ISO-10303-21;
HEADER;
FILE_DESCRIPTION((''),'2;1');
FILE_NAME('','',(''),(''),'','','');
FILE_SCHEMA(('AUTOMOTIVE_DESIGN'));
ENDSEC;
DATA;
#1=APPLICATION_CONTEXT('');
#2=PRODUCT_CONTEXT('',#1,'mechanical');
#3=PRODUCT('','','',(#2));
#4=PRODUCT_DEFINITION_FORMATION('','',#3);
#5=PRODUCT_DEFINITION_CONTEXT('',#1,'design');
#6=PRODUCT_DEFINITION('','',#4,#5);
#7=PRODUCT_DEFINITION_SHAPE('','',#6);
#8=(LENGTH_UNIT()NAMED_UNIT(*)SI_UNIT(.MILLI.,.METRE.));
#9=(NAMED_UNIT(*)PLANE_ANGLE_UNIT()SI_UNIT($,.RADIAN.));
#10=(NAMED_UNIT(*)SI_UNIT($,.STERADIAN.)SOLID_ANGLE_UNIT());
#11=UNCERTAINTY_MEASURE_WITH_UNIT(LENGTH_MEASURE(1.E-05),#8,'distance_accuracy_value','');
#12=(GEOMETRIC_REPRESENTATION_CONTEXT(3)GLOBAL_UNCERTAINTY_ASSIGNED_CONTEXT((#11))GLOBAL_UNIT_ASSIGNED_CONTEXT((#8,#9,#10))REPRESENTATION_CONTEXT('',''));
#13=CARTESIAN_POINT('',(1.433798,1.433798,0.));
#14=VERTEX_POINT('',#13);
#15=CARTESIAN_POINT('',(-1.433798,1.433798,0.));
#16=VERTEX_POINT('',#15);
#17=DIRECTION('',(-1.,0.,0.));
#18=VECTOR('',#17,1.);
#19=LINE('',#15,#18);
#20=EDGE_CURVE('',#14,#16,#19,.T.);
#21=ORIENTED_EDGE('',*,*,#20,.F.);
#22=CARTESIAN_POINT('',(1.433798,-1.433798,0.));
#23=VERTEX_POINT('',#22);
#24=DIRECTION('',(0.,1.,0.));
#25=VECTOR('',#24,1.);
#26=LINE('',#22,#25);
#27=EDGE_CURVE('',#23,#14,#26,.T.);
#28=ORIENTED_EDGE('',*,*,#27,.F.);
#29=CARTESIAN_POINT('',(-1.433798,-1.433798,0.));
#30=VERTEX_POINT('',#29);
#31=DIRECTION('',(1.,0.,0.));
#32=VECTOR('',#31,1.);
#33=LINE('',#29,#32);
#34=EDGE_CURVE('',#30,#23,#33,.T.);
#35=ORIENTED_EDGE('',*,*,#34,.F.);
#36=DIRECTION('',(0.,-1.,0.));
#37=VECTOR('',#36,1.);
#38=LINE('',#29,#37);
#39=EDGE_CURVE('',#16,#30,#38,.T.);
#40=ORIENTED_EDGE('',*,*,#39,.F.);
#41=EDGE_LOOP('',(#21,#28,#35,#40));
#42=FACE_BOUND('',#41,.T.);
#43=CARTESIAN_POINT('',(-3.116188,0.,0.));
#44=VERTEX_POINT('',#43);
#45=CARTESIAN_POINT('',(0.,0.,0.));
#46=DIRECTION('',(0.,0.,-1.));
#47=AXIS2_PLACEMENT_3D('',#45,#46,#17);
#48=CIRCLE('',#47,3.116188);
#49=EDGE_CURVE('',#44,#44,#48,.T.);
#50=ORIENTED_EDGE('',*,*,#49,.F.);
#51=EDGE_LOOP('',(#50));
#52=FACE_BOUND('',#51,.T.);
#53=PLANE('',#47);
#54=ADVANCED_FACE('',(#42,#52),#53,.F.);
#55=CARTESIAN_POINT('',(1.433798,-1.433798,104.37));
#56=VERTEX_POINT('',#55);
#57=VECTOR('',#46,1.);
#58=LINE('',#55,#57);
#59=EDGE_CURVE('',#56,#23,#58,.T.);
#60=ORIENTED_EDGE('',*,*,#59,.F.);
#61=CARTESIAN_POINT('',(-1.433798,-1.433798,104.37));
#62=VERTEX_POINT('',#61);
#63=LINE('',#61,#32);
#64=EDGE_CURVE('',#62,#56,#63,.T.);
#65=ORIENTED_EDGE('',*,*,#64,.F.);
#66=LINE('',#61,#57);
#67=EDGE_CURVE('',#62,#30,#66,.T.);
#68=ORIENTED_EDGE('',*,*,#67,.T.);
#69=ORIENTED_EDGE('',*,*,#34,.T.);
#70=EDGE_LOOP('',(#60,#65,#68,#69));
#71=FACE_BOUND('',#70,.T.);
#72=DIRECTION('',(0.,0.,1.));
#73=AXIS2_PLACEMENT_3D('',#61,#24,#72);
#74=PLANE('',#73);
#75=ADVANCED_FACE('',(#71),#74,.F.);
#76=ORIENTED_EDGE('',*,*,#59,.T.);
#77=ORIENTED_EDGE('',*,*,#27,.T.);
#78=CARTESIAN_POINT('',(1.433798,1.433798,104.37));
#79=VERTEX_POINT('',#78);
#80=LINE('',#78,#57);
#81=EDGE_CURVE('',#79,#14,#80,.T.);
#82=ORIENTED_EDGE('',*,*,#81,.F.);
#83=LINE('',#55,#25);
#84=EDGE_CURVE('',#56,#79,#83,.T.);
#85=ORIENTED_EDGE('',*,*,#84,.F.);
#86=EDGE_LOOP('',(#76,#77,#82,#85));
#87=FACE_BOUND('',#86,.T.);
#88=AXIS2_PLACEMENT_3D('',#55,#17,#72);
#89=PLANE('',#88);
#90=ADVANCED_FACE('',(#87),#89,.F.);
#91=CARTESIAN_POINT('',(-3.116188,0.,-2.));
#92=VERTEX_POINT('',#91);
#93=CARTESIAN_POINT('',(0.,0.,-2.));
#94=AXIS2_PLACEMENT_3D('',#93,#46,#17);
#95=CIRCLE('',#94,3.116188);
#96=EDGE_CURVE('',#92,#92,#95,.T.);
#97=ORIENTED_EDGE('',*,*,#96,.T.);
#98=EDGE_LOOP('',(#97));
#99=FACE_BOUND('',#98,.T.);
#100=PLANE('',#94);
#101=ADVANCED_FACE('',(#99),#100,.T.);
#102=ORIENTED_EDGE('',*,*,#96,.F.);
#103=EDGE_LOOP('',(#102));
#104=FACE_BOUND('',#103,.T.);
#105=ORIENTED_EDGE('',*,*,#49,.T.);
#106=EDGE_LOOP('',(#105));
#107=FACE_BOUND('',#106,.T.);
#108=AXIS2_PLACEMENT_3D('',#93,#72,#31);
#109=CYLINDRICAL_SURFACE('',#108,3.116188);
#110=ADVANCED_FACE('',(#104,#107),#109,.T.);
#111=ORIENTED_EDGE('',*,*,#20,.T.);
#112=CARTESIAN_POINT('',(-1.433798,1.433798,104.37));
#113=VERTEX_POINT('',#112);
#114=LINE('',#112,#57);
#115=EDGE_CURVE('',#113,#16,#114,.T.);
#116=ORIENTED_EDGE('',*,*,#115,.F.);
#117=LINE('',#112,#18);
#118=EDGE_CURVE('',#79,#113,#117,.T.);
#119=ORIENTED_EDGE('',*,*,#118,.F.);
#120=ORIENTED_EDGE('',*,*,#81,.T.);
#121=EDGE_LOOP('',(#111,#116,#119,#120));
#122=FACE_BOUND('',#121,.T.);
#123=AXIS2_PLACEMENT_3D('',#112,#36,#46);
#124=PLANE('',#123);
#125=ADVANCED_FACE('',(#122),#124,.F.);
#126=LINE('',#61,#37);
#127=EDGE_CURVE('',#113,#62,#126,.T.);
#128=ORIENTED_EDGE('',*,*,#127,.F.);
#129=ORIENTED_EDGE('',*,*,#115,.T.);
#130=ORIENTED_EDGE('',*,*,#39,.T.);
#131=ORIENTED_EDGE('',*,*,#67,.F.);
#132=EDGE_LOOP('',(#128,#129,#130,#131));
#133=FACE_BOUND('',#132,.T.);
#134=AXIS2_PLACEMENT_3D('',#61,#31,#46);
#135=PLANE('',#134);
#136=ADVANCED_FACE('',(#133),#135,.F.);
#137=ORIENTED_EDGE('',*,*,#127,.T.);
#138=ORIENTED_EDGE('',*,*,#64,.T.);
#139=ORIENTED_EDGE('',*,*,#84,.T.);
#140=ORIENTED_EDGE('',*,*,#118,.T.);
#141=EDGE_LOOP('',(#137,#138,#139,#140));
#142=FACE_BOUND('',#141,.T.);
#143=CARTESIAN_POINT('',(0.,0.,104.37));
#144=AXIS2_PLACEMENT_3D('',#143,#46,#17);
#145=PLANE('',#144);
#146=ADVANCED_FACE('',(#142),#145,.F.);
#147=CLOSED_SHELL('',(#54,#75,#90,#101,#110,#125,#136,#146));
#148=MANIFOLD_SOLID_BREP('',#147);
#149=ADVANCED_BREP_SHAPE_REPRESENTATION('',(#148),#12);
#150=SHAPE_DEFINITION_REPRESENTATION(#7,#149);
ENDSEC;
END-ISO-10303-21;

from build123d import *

# Parameters (mm, degrees)
SKETCH1_W           = 2.86759605
SKETCH1_H           = 2.86759605
BOSS_EXTRUDE1_DEPTH = 104.37
SKETCH2_R           = 3.116187631
BOSS_EXTRUDE2_DEPTH = 2


with BuildPart() as part:
    # Sketch1 → Boss-Extrude1 (new body)
    with BuildSketch(Plane.XY):
        Rectangle(SKETCH1_W, SKETCH1_H)
    extrude(amount=BOSS_EXTRUDE1_DEPTH)

    # Sketch2 → Boss-Extrude2 (add)
    with BuildSketch(Plane(origin=(0, 0, 0), x_dir=(-1, 0, 0), z_dir=(0, 0, -1))):
        Circle(SKETCH2_R)
    extrude(amount=BOSS_EXTRUDE2_DEPTH)


solid = part.part
